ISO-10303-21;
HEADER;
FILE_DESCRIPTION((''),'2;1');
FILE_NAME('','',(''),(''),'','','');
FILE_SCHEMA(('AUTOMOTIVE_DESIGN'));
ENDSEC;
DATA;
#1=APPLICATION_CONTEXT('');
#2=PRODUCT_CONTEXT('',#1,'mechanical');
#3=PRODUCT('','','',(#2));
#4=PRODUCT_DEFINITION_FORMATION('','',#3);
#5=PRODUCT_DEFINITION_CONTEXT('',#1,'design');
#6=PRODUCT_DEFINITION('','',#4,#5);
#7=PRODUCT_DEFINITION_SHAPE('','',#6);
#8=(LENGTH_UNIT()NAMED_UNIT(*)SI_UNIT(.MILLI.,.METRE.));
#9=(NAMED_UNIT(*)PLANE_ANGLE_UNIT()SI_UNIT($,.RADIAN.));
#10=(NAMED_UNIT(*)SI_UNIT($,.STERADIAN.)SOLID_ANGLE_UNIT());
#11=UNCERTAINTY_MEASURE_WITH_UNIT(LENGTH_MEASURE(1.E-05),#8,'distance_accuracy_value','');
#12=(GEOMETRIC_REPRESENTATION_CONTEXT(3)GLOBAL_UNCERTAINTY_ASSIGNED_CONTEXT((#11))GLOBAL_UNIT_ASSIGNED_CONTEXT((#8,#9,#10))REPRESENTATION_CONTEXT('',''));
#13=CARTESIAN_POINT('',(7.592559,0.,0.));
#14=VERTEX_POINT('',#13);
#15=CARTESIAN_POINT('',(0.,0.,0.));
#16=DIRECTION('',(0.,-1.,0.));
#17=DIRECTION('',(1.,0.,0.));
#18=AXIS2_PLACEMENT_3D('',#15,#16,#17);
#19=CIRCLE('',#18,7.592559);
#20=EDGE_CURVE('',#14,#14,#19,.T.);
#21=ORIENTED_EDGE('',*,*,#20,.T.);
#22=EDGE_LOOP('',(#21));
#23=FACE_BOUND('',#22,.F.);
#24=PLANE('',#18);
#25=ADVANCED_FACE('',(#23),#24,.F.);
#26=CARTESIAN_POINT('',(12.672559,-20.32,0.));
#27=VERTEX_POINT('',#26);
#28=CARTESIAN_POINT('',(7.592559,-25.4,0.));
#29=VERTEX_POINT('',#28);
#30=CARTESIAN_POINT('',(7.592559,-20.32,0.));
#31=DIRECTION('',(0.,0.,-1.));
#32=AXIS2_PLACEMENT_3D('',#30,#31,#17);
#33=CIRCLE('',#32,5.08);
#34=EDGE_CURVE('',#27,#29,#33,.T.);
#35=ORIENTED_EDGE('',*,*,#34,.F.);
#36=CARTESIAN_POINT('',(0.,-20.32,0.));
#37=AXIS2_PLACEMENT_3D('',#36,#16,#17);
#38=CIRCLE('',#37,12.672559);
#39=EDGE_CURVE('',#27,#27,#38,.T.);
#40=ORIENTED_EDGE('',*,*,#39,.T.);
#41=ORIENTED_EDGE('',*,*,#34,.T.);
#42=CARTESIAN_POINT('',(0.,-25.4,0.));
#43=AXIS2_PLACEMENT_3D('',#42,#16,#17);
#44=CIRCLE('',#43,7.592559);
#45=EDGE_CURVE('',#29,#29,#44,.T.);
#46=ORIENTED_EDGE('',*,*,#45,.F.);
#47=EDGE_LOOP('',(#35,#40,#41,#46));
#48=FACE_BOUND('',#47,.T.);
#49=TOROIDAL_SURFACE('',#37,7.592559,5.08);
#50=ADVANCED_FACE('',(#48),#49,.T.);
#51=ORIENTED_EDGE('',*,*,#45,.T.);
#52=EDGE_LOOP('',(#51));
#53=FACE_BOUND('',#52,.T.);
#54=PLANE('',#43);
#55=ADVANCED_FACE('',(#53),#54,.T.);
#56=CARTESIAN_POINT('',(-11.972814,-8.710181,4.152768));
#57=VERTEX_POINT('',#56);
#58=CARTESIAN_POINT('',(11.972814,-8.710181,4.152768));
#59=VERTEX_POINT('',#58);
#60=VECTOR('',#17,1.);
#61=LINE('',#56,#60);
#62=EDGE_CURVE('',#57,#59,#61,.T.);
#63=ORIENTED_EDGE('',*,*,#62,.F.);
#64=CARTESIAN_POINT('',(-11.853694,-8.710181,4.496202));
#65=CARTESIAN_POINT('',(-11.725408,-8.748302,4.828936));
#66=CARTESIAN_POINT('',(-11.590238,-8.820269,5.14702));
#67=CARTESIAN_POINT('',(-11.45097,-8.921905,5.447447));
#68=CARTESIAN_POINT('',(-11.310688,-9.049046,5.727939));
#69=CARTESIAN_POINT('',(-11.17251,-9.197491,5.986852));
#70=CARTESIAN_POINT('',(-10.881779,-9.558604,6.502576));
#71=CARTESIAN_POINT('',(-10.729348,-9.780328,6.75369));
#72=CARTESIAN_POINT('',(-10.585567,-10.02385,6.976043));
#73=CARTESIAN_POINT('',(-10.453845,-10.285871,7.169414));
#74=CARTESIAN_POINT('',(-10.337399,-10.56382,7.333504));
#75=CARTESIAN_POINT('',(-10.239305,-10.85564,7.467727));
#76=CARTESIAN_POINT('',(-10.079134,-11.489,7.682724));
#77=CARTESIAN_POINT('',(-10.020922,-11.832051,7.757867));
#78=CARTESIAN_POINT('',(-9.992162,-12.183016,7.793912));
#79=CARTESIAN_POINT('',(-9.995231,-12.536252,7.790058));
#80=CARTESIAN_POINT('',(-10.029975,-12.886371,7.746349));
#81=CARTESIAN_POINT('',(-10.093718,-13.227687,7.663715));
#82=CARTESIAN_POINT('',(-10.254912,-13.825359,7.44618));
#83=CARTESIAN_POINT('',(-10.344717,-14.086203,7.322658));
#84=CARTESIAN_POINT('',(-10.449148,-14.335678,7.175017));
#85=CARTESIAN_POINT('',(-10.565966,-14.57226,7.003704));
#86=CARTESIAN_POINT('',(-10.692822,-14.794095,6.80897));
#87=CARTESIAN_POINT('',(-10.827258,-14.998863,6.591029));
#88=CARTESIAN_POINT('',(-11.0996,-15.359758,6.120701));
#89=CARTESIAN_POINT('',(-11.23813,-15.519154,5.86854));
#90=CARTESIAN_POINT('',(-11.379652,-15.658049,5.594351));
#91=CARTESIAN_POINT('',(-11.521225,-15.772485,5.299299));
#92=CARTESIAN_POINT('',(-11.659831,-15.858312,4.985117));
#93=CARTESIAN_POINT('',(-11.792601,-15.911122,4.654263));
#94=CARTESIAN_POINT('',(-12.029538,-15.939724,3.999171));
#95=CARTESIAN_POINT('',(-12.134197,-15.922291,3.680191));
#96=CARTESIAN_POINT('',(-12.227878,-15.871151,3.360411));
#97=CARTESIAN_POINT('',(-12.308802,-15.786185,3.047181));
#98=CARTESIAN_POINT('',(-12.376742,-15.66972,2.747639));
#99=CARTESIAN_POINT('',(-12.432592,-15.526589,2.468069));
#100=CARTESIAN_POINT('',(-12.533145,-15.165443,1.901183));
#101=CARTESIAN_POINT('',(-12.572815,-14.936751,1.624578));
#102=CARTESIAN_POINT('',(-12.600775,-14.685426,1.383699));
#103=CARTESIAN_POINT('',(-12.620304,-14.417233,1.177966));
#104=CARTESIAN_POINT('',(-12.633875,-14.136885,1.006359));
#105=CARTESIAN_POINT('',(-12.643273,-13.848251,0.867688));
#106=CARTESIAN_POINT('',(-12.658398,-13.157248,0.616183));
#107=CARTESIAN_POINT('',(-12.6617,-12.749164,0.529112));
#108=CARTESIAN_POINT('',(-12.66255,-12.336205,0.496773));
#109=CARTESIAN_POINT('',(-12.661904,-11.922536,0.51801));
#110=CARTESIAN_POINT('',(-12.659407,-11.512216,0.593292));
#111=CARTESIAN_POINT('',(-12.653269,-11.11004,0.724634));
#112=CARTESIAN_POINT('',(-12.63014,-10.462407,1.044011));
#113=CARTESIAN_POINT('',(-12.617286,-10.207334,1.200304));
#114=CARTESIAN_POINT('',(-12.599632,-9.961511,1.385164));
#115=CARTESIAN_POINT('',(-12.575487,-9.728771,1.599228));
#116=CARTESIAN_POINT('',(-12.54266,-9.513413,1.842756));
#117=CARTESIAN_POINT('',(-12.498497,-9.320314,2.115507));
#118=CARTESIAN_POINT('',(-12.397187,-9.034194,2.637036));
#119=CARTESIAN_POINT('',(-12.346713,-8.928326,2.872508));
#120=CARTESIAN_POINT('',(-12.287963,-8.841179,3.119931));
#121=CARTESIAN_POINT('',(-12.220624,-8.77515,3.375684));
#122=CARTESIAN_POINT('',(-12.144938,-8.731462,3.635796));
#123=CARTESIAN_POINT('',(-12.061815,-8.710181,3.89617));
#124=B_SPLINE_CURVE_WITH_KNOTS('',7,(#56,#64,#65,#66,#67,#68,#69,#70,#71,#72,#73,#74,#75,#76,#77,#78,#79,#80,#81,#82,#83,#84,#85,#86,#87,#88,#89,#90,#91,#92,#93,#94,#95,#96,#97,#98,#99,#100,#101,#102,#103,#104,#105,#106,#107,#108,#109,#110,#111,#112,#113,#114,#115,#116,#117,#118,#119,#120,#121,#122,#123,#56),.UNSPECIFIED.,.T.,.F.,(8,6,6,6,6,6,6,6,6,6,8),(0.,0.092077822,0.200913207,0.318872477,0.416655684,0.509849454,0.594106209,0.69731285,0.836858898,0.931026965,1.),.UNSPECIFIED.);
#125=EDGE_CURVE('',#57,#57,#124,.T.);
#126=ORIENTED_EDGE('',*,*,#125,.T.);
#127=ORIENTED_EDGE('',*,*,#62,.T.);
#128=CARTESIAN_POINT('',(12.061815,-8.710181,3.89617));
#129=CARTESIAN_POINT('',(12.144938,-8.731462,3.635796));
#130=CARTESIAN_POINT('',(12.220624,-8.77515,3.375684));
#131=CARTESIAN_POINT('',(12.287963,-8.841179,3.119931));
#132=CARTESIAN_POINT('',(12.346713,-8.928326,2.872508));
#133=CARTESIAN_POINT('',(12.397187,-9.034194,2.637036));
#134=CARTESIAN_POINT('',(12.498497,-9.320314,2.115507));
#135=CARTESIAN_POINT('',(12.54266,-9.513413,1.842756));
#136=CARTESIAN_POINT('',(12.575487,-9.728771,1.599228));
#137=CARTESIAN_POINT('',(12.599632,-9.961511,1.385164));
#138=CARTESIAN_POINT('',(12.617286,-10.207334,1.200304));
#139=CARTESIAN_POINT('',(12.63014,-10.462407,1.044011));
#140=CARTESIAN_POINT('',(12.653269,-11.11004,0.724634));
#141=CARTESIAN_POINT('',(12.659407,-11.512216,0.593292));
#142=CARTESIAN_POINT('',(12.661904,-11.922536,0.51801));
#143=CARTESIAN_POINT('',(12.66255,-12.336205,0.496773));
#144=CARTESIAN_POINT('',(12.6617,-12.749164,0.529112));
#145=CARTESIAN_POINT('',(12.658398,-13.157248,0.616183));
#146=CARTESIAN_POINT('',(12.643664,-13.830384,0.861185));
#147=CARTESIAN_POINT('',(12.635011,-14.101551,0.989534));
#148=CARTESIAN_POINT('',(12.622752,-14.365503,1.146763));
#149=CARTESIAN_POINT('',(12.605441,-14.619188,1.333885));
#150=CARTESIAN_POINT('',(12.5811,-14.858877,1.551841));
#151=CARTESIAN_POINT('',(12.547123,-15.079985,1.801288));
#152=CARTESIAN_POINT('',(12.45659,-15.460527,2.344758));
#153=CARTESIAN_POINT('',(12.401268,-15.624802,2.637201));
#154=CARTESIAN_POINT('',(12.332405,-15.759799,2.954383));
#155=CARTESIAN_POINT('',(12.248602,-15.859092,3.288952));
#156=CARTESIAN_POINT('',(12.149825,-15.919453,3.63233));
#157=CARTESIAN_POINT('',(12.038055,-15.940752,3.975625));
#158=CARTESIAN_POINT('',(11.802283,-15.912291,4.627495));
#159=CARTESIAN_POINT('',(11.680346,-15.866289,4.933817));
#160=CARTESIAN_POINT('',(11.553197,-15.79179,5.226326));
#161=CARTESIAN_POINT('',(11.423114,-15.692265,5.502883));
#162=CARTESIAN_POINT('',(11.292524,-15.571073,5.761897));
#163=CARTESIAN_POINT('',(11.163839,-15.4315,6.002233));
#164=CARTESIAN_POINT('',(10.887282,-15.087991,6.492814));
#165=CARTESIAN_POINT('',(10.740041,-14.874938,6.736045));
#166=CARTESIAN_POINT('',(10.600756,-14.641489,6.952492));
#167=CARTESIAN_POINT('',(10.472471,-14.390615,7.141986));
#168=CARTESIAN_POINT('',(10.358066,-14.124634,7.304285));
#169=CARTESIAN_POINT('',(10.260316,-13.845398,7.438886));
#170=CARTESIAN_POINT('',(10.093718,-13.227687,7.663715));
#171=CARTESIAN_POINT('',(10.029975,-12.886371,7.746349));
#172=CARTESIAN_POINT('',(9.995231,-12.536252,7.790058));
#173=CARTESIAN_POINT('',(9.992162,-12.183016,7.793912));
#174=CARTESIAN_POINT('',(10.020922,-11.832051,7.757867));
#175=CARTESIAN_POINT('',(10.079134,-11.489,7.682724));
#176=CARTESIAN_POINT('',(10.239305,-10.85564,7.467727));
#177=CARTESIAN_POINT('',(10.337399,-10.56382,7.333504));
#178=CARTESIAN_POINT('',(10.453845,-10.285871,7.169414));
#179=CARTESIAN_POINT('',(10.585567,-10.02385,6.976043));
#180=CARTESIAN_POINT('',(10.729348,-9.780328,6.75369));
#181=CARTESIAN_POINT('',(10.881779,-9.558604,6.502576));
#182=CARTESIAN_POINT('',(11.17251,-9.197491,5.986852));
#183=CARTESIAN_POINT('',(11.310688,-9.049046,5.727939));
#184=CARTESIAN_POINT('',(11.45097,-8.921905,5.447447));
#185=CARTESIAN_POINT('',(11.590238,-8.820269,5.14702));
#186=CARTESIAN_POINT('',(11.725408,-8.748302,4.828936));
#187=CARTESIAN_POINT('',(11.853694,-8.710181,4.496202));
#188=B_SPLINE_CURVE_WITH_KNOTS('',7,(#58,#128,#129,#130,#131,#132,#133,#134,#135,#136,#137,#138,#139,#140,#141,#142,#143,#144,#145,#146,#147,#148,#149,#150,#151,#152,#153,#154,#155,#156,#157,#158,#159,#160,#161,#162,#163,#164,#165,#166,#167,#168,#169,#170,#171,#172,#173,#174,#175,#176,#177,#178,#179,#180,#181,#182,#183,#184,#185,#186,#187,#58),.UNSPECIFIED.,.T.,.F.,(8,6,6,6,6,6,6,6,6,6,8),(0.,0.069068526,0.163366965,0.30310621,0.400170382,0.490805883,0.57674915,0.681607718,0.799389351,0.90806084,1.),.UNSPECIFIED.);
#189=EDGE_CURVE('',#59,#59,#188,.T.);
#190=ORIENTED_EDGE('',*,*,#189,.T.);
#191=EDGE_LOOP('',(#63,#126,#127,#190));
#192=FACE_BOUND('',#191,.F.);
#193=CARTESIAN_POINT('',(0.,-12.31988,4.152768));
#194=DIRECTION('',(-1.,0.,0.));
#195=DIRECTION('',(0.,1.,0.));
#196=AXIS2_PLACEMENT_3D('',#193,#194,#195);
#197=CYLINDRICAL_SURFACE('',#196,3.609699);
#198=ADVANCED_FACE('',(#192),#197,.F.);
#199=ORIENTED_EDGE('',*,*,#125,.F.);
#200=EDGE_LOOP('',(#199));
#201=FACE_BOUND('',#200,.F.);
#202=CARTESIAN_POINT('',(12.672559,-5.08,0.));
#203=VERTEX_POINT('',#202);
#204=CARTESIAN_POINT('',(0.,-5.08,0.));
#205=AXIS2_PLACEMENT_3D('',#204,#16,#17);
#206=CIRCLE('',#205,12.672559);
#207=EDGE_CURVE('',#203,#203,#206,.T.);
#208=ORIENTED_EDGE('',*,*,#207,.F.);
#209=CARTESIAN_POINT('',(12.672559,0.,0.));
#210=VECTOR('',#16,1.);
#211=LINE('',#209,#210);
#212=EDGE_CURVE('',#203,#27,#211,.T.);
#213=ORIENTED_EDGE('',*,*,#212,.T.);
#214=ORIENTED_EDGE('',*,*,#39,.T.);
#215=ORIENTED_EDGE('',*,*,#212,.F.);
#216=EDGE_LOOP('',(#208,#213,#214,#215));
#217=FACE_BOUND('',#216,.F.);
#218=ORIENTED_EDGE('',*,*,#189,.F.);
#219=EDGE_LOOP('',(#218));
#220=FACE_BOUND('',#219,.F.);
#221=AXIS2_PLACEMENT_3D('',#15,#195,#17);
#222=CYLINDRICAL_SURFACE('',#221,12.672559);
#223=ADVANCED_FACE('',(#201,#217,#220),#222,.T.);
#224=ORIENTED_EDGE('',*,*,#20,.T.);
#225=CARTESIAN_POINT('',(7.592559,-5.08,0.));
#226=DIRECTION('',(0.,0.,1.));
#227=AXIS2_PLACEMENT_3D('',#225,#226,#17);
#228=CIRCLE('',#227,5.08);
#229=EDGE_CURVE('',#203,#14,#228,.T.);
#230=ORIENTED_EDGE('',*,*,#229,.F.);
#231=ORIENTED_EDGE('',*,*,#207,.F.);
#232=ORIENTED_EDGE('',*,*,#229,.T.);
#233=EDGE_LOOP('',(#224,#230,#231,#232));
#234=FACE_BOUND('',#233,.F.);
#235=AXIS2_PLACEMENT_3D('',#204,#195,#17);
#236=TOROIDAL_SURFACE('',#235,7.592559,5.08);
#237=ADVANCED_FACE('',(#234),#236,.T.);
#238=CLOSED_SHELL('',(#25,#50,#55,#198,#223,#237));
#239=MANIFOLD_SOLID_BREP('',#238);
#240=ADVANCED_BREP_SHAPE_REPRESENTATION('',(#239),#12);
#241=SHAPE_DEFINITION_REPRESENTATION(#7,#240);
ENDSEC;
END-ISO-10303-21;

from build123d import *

# Parameters (mm, degrees)
F0_R      = 12.672559
F1_DEPTH  = 25.4
F2_R      = 5.08
F3_R      = 5.08
F4_R      = 3.609699
F5_DEPTH  = 50.8
F5_FACE_R = 3.609699
F6_DEPTH  = 101.6


with BuildPart() as f1:
    # F0 (on Front) → F1 (new body)
    with BuildSketch(Plane.XZ):
        Circle(F0_R)
    extrude(amount=F1_DEPTH)

    # F2
    f2_edges = [f1.edges().sort_by_distance(p)[0] for p in [
        (-12.672559, -25.4, 0),
    ]]
    fillet(f2_edges, radius=F2_R)

    # F3
    f3_edges = [f1.edges().sort_by_distance(p)[0] for p in [
        (-12.672559, 0, 0),
    ]]
    fillet(f3_edges, radius=F3_R)

    # F4 (on Right) → F5 (cut)
    with BuildSketch(Plane.YZ):
        with Locations((-12.31988, 4.152768)):
            Circle(F4_R)
    extrude(amount=-F5_DEPTH, mode=Mode.SUBTRACT)

    # F5_face (on face) → F6 (cut)
    with BuildSketch(Plane(origin=(0, -12.31988, 4.152768), x_dir=(0, 1, 0), z_dir=(-1, 0, 0))):
        Circle(F5_FACE_R)
    extrude(amount=-F6_DEPTH, mode=Mode.SUBTRACT)


solid = f1.part
